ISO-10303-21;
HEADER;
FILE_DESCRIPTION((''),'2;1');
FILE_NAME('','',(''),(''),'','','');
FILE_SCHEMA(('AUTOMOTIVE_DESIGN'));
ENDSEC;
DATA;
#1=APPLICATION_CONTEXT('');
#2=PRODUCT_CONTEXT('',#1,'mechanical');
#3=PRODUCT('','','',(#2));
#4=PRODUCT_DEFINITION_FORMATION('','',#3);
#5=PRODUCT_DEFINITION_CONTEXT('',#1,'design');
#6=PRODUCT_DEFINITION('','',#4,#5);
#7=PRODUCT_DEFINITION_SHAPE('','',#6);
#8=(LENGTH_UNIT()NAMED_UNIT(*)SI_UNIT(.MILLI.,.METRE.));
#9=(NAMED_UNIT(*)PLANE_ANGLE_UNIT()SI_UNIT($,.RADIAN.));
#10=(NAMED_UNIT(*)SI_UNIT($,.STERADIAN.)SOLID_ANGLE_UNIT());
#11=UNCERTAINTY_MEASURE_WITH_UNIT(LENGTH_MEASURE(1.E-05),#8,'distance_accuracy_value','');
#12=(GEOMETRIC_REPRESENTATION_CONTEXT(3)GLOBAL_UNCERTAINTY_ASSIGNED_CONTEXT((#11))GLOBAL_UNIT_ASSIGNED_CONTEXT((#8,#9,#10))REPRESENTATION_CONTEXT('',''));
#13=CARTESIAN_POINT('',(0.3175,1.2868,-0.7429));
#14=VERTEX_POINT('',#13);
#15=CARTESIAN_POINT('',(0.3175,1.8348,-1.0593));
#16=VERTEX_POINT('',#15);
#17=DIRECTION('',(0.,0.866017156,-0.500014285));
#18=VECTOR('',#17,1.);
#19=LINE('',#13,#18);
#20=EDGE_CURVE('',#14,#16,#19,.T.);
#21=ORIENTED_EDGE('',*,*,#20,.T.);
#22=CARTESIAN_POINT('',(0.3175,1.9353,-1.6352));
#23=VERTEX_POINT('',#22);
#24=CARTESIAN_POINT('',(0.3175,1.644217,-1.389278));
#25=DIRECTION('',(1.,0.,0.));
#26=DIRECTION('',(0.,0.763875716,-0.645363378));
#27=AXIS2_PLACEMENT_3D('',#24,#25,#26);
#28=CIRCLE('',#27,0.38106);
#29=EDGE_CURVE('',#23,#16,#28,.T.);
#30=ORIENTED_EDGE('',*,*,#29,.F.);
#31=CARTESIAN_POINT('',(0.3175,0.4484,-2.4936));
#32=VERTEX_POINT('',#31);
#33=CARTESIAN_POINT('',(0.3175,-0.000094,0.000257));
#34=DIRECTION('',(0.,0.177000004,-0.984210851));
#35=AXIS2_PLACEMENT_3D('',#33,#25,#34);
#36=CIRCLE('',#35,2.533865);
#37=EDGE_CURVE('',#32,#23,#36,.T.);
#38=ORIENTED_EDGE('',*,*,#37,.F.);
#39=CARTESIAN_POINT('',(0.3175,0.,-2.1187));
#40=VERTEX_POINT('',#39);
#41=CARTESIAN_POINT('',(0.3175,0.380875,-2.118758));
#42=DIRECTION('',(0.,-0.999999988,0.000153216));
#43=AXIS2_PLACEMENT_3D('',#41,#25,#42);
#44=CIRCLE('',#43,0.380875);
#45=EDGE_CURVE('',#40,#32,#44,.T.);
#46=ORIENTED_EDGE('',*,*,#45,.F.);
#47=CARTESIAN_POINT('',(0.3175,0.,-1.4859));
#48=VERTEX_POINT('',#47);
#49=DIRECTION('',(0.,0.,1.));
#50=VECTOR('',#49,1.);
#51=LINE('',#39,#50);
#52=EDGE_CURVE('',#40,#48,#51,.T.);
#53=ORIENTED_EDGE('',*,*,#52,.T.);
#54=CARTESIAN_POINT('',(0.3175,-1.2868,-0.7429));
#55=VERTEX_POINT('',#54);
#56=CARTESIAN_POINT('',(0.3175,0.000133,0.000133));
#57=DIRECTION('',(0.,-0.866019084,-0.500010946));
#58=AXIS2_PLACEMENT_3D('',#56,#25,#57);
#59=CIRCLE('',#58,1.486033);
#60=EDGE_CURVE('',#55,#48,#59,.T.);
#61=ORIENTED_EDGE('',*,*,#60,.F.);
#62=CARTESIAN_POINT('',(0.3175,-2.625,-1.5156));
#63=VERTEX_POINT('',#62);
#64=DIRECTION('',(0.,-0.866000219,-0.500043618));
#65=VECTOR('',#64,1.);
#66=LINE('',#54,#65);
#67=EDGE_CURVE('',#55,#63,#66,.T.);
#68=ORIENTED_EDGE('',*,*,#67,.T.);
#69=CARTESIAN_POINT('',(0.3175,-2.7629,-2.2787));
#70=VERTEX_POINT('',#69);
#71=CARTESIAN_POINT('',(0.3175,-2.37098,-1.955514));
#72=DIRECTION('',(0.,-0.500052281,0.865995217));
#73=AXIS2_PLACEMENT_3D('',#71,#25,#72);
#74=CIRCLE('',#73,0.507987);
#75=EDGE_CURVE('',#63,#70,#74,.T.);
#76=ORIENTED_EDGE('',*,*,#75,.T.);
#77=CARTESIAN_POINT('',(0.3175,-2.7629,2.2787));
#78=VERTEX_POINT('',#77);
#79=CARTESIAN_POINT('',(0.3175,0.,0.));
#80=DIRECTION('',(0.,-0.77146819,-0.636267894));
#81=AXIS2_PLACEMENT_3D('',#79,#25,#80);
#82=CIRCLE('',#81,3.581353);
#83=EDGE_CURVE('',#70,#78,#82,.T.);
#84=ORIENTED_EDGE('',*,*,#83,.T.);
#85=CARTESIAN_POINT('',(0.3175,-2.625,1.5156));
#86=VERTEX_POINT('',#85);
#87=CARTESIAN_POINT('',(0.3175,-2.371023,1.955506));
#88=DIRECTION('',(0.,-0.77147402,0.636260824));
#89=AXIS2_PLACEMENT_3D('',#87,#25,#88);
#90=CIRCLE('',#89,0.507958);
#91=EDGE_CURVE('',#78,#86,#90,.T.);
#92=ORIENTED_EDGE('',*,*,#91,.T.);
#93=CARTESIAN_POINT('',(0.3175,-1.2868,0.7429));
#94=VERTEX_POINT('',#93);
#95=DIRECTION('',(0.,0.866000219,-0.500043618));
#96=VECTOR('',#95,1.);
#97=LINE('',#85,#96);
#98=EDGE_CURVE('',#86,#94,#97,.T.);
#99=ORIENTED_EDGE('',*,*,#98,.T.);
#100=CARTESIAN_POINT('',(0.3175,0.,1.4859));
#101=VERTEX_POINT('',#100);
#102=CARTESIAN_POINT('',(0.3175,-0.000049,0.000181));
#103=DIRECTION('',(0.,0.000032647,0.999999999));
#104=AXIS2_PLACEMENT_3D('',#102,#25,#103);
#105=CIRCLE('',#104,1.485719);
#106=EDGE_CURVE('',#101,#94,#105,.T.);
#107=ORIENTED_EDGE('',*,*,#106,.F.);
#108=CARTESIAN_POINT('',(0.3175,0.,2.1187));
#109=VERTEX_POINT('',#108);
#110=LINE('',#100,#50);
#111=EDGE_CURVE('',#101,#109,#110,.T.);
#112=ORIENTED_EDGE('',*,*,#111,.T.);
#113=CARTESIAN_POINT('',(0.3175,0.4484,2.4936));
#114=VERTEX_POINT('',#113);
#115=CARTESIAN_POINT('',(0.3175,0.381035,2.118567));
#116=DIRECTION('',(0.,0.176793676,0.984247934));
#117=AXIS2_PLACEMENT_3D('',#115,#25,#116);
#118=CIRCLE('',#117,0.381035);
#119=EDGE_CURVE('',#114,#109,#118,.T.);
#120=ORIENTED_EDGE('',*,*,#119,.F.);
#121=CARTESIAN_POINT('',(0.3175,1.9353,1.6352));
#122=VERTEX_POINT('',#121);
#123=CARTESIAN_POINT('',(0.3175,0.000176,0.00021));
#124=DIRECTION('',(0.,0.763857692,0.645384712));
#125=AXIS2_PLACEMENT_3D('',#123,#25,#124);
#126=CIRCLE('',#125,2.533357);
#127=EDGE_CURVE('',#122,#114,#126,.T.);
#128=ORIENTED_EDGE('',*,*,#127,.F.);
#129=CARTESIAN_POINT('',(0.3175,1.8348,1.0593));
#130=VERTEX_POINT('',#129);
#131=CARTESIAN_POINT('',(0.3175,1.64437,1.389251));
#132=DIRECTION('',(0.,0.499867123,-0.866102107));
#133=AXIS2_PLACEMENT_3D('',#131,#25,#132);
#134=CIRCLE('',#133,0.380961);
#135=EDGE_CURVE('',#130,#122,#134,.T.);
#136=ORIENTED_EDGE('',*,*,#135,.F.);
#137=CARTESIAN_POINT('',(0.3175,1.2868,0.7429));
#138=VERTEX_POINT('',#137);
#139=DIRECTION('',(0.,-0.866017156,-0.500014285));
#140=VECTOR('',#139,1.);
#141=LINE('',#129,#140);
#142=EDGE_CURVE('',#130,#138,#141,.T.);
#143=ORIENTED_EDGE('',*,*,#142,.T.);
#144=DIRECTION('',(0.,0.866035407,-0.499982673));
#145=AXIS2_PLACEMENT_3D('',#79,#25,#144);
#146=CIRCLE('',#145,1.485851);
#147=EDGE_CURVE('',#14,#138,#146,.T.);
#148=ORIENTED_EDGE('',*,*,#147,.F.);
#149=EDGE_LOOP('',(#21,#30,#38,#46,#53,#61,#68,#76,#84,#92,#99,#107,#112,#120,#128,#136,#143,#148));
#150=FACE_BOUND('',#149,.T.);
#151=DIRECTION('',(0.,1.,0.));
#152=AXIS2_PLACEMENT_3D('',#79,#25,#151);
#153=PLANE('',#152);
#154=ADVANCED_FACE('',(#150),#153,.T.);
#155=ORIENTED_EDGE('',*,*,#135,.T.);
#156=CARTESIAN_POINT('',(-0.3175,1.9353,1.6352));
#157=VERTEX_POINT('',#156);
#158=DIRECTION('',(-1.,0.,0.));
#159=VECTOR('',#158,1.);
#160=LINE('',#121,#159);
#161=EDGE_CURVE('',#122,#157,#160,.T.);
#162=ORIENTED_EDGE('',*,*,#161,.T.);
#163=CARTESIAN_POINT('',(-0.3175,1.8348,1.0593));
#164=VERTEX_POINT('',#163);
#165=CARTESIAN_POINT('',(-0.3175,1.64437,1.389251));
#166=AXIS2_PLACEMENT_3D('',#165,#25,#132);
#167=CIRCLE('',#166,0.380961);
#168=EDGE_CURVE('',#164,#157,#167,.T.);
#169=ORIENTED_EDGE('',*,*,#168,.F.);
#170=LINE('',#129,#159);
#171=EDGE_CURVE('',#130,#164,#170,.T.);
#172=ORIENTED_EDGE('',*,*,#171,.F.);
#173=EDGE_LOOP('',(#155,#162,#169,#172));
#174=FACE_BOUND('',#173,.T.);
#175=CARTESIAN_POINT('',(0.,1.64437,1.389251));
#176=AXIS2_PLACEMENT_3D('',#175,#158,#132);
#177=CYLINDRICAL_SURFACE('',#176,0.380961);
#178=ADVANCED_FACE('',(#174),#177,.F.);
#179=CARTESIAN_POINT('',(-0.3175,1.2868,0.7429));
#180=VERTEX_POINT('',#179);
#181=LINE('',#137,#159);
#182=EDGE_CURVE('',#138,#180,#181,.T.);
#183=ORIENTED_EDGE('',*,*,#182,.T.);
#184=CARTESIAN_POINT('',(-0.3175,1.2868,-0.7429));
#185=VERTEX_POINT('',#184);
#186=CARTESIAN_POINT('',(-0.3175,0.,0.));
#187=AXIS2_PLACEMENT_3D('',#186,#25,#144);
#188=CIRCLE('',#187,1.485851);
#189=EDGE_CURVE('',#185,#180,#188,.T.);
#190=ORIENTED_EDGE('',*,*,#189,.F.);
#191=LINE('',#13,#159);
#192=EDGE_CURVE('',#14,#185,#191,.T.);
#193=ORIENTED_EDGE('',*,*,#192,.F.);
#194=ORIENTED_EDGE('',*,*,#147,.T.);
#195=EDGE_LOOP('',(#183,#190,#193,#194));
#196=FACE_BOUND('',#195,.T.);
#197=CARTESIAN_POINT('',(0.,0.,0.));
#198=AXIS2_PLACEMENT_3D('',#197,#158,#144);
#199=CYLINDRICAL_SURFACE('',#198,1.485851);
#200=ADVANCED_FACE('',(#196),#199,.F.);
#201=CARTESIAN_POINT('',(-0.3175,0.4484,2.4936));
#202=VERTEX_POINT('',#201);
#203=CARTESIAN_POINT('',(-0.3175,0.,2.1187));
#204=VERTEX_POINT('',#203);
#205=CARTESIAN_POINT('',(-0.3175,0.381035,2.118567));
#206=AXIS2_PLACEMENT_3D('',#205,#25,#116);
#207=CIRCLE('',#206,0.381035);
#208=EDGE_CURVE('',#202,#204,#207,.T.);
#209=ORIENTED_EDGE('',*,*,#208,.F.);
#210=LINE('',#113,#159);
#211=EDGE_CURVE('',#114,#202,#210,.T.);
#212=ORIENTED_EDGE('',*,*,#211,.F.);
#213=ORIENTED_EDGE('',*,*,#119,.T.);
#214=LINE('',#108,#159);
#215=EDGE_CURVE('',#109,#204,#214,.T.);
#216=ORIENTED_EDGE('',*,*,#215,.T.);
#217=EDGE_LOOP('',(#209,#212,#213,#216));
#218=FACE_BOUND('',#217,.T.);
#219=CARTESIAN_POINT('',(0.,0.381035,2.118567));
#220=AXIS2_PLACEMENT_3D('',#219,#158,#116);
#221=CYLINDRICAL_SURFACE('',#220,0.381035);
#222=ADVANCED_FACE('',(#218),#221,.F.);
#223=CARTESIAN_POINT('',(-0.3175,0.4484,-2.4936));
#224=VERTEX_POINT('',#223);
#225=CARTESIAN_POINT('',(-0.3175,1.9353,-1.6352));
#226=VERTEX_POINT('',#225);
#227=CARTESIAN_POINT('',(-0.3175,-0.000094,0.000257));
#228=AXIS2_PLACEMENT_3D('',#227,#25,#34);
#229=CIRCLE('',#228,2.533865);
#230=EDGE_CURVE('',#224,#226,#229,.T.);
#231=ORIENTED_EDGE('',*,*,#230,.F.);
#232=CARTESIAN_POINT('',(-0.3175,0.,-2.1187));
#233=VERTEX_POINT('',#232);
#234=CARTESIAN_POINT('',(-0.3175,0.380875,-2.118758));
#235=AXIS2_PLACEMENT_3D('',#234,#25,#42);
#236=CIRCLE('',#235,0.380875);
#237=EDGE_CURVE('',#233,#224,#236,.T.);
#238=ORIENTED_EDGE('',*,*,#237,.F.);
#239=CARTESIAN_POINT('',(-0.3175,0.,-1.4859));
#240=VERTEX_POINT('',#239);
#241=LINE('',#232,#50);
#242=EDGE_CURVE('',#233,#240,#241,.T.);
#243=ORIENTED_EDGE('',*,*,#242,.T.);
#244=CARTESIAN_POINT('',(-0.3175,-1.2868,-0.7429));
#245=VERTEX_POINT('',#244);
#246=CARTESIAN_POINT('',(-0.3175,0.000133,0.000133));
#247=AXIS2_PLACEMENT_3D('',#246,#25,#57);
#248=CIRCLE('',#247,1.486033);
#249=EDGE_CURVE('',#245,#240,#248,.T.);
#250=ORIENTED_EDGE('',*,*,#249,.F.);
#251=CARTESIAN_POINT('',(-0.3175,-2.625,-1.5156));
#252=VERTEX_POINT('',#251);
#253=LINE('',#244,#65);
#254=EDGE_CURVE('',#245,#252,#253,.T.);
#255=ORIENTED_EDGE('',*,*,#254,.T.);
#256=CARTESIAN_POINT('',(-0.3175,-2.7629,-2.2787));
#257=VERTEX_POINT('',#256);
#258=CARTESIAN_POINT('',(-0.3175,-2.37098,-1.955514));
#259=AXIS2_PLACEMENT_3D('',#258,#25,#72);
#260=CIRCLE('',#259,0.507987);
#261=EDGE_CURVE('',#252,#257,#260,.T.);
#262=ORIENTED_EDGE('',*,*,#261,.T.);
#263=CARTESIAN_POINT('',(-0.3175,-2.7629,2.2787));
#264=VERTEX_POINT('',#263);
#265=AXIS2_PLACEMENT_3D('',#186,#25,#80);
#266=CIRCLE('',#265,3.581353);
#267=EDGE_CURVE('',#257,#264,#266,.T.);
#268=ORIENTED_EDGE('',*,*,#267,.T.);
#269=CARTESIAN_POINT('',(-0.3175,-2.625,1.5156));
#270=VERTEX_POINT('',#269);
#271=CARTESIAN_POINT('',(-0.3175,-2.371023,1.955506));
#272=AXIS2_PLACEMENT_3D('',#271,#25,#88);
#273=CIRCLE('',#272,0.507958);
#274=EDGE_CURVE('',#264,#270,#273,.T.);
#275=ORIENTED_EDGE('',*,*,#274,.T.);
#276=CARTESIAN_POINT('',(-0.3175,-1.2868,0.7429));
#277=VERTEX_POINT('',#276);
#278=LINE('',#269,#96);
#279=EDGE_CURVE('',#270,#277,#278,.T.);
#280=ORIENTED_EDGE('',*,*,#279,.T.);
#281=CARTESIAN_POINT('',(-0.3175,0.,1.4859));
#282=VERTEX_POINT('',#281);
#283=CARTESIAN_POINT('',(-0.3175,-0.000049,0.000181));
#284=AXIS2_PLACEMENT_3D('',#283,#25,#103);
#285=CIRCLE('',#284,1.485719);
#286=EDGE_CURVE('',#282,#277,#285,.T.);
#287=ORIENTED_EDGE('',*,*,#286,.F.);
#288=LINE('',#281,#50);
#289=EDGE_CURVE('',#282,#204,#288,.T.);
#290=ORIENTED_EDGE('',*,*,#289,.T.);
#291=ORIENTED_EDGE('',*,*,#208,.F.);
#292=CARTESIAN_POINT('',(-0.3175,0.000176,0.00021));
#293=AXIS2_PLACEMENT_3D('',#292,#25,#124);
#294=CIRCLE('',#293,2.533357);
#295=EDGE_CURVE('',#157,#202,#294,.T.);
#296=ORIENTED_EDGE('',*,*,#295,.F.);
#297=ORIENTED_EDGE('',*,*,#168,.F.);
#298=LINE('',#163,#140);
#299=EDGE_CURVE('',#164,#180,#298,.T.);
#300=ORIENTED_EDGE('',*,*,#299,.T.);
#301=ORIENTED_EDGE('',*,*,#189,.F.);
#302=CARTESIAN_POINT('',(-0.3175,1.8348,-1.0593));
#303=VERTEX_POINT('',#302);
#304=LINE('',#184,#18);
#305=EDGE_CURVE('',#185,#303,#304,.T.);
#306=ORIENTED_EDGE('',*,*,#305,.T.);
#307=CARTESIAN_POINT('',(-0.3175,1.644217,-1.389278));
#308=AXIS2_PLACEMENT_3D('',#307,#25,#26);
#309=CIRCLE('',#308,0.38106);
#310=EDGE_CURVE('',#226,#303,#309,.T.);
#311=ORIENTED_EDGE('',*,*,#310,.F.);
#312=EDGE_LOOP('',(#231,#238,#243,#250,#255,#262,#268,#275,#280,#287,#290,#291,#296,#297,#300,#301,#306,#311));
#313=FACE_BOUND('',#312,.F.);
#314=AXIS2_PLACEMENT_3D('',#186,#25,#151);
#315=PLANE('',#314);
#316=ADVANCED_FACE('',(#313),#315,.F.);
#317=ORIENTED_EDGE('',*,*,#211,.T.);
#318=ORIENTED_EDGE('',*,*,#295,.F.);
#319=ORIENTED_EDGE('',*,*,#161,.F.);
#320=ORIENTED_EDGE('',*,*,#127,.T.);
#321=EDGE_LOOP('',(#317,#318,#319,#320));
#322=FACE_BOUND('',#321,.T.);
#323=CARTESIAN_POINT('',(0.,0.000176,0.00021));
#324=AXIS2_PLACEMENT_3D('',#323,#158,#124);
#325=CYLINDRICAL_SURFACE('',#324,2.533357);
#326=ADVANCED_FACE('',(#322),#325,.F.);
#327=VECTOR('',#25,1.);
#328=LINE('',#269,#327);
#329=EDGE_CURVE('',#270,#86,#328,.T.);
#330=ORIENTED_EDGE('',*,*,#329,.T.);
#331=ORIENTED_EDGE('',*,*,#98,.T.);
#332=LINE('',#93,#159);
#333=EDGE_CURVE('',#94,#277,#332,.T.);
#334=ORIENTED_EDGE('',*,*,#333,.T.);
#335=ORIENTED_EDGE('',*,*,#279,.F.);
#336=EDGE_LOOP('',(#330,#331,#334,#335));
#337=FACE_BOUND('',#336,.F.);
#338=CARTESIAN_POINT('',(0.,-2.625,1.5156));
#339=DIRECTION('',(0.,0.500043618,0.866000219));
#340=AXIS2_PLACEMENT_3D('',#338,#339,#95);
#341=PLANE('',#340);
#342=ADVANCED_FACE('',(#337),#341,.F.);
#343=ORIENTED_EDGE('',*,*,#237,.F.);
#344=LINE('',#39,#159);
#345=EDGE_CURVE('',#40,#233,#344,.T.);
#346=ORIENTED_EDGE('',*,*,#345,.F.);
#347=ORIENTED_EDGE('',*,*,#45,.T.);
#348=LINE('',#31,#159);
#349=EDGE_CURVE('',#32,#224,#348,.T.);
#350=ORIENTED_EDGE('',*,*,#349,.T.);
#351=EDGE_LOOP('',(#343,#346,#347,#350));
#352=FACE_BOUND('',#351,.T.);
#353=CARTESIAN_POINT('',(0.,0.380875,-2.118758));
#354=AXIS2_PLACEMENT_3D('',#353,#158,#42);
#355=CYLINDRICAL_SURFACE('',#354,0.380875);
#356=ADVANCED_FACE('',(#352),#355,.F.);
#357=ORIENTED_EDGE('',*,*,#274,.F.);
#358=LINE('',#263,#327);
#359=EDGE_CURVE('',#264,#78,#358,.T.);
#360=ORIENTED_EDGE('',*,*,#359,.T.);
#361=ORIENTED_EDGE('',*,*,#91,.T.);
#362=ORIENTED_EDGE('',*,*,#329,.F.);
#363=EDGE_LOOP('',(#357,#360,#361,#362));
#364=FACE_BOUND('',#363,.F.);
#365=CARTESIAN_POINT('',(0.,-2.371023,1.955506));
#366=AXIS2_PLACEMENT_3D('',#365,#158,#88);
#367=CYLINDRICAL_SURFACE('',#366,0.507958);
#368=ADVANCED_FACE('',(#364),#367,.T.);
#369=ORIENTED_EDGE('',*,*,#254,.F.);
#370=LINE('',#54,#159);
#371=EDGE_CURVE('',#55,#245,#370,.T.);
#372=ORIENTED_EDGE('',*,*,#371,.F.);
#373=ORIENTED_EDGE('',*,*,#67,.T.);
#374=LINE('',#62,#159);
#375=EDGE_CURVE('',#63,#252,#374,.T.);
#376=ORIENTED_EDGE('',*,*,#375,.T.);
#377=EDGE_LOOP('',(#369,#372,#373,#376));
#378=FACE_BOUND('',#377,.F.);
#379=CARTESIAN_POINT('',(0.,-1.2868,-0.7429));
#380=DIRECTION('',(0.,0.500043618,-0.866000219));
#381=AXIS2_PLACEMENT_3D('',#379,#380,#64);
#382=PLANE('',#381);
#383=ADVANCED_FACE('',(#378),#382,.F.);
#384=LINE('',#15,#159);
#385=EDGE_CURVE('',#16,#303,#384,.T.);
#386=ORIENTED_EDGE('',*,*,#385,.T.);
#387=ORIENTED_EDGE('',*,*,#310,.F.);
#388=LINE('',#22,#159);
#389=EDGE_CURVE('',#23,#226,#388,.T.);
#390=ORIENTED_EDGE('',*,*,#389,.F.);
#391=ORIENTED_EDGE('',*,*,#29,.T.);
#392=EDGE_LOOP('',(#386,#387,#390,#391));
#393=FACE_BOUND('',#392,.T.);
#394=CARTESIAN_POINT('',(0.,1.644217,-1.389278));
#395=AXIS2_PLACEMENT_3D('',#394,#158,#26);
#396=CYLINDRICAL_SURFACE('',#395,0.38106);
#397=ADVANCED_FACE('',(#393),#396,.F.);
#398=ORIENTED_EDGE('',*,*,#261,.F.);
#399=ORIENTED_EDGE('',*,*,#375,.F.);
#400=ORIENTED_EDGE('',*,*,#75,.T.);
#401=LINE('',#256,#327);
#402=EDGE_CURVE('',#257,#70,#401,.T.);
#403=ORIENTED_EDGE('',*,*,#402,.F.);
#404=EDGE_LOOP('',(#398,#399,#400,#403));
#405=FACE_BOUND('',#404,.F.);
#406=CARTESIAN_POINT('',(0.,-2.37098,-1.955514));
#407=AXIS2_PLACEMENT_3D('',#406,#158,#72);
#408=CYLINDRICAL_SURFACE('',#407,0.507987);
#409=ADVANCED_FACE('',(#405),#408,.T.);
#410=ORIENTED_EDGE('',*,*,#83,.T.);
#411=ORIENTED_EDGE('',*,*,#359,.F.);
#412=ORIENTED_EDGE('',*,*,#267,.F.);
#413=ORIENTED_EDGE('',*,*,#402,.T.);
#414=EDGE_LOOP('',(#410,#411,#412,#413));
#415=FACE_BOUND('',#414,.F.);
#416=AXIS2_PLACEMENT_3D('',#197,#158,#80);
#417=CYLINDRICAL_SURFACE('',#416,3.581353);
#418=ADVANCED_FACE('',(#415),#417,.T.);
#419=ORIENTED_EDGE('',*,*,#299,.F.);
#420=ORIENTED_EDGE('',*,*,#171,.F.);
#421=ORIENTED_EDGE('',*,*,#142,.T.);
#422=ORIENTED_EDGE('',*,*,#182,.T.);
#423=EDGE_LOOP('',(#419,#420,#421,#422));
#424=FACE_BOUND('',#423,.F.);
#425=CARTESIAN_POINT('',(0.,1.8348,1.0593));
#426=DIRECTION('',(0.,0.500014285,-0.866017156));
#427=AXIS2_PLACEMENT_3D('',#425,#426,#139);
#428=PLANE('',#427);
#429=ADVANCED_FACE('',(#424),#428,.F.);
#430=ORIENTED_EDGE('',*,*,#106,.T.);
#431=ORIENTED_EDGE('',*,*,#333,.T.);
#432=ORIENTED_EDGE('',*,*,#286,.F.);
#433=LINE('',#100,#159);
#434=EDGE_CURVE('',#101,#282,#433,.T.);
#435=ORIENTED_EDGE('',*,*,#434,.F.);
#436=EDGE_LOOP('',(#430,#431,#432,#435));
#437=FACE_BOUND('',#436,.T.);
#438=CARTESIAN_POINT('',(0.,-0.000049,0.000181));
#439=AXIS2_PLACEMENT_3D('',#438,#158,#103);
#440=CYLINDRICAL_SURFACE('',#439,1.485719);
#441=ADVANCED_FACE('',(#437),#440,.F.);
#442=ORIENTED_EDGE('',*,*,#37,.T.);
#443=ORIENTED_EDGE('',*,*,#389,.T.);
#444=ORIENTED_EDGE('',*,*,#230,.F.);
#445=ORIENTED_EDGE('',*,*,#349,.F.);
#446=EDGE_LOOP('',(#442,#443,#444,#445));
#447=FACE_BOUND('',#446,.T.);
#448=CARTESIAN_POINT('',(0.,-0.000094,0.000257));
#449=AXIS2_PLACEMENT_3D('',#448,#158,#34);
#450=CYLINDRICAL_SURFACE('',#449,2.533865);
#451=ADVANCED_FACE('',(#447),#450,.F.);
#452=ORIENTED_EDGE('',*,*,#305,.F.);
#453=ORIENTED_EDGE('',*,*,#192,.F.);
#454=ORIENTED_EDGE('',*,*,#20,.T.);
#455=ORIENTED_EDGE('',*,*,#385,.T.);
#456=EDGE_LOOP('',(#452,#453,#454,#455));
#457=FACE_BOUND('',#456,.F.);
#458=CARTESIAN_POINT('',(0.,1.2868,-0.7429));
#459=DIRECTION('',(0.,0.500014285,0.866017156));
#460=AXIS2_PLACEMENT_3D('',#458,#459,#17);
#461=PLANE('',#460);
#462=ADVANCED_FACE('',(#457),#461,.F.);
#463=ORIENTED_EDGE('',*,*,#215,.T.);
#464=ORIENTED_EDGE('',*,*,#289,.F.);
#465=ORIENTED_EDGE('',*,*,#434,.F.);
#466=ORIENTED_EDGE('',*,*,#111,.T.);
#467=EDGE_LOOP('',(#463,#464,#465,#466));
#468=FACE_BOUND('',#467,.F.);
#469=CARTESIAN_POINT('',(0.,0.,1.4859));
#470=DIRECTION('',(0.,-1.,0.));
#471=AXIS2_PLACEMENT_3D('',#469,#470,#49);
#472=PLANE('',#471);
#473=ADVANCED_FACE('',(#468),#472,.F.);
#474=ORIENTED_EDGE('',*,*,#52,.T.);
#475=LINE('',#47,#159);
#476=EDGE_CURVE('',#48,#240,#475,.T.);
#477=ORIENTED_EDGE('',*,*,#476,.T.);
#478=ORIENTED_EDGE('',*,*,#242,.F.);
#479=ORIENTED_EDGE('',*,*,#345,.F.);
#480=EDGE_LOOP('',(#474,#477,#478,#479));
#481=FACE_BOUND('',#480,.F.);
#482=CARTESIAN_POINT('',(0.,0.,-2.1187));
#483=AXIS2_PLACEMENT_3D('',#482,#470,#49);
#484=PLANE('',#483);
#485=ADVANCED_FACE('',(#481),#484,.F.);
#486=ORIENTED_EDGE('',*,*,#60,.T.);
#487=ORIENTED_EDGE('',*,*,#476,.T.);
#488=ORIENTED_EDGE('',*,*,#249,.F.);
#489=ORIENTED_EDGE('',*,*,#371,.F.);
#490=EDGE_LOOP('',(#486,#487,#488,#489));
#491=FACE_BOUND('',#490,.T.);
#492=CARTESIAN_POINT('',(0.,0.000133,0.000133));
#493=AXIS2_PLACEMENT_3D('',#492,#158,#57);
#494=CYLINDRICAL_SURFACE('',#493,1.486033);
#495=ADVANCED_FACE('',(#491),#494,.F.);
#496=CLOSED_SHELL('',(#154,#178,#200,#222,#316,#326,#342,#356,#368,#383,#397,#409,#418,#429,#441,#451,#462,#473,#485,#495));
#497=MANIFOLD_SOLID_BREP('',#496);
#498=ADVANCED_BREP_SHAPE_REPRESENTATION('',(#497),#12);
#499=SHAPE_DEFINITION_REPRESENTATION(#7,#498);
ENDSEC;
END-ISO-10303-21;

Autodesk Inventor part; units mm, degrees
sketch "Sketch_1" plane through (0, 0, 0) normal (1, 0, 0) x (0, 1, 0)
  arc A0 (-2.7629, -2.2787) -> (-2.7629, 2.2787) centre (0, 0) ccw
  arc A1 (-2.7629, 2.2787) -> (-2.625, 1.5156) centre (-2.371, 1.9555) ccw
  line L0 (-2.625, 1.5156) -> (-1.2868, 0.7429)
  arc A2 (0, 1.4859) -> (-1.2868, 0.7429) centre (0, 0) ccw
  line L1 (0, 1.4859) -> (0, 2.1187)
  arc A3 (0.4484, 2.4936) -> (0, 2.1187) centre (0.381, 2.1187) ccw
  arc A4 (1.9353, 1.6352) -> (0.4484, 2.4936) centre (0, 0) ccw
  arc A5 (1.8348, 1.0593) -> (1.9353, 1.6352) centre (1.6443, 1.3893) ccw
  line L2 (1.8348, 1.0593) -> (1.2868, 0.7429)
  arc A6 (1.2868, -0.7429) -> (1.2868, 0.7429) centre (0, 0) ccw
  line L3 (1.2868, -0.7429) -> (1.8348, -1.0593)
  arc A7 (1.9353, -1.6352) -> (1.8348, -1.0593) centre (1.6443, -1.3893) ccw
  arc A8 (0.4484, -2.4936) -> (1.9353, -1.6352) centre (0, 0) ccw
  arc A9 (0, -2.1187) -> (0.4484, -2.4936) centre (0.381, -2.1187) ccw
  line L4 (0, -2.1187) -> (0, -1.4859)
  arc A10 (-1.2868, -0.7429) -> (0, -1.4859) centre (0, 0) ccw
  line L5 (-1.2868, -0.7429) -> (-2.625, -1.5156)
  arc A11 (-2.625, -1.5156) -> (-2.7629, -2.2787) centre (-2.371, -1.9555) ccw
extrude "Extrusion1" add sketch "Sketch_1" along normal mid plane 0.635
ref_plane "rr_XY" through (0, 0, 0) normal (1, 0, 0) x (0, 0, -1)
ref_plane "rr_YZ" through (0, 0, 0) normal (0, 0, -1) x (0, 1, 0)
ref_plane "rr_ZX" through (0, 0, 0) normal (0, 1, 0) x (1, 0, 0)
properties part number "D-9770-rr" material "Steel"
